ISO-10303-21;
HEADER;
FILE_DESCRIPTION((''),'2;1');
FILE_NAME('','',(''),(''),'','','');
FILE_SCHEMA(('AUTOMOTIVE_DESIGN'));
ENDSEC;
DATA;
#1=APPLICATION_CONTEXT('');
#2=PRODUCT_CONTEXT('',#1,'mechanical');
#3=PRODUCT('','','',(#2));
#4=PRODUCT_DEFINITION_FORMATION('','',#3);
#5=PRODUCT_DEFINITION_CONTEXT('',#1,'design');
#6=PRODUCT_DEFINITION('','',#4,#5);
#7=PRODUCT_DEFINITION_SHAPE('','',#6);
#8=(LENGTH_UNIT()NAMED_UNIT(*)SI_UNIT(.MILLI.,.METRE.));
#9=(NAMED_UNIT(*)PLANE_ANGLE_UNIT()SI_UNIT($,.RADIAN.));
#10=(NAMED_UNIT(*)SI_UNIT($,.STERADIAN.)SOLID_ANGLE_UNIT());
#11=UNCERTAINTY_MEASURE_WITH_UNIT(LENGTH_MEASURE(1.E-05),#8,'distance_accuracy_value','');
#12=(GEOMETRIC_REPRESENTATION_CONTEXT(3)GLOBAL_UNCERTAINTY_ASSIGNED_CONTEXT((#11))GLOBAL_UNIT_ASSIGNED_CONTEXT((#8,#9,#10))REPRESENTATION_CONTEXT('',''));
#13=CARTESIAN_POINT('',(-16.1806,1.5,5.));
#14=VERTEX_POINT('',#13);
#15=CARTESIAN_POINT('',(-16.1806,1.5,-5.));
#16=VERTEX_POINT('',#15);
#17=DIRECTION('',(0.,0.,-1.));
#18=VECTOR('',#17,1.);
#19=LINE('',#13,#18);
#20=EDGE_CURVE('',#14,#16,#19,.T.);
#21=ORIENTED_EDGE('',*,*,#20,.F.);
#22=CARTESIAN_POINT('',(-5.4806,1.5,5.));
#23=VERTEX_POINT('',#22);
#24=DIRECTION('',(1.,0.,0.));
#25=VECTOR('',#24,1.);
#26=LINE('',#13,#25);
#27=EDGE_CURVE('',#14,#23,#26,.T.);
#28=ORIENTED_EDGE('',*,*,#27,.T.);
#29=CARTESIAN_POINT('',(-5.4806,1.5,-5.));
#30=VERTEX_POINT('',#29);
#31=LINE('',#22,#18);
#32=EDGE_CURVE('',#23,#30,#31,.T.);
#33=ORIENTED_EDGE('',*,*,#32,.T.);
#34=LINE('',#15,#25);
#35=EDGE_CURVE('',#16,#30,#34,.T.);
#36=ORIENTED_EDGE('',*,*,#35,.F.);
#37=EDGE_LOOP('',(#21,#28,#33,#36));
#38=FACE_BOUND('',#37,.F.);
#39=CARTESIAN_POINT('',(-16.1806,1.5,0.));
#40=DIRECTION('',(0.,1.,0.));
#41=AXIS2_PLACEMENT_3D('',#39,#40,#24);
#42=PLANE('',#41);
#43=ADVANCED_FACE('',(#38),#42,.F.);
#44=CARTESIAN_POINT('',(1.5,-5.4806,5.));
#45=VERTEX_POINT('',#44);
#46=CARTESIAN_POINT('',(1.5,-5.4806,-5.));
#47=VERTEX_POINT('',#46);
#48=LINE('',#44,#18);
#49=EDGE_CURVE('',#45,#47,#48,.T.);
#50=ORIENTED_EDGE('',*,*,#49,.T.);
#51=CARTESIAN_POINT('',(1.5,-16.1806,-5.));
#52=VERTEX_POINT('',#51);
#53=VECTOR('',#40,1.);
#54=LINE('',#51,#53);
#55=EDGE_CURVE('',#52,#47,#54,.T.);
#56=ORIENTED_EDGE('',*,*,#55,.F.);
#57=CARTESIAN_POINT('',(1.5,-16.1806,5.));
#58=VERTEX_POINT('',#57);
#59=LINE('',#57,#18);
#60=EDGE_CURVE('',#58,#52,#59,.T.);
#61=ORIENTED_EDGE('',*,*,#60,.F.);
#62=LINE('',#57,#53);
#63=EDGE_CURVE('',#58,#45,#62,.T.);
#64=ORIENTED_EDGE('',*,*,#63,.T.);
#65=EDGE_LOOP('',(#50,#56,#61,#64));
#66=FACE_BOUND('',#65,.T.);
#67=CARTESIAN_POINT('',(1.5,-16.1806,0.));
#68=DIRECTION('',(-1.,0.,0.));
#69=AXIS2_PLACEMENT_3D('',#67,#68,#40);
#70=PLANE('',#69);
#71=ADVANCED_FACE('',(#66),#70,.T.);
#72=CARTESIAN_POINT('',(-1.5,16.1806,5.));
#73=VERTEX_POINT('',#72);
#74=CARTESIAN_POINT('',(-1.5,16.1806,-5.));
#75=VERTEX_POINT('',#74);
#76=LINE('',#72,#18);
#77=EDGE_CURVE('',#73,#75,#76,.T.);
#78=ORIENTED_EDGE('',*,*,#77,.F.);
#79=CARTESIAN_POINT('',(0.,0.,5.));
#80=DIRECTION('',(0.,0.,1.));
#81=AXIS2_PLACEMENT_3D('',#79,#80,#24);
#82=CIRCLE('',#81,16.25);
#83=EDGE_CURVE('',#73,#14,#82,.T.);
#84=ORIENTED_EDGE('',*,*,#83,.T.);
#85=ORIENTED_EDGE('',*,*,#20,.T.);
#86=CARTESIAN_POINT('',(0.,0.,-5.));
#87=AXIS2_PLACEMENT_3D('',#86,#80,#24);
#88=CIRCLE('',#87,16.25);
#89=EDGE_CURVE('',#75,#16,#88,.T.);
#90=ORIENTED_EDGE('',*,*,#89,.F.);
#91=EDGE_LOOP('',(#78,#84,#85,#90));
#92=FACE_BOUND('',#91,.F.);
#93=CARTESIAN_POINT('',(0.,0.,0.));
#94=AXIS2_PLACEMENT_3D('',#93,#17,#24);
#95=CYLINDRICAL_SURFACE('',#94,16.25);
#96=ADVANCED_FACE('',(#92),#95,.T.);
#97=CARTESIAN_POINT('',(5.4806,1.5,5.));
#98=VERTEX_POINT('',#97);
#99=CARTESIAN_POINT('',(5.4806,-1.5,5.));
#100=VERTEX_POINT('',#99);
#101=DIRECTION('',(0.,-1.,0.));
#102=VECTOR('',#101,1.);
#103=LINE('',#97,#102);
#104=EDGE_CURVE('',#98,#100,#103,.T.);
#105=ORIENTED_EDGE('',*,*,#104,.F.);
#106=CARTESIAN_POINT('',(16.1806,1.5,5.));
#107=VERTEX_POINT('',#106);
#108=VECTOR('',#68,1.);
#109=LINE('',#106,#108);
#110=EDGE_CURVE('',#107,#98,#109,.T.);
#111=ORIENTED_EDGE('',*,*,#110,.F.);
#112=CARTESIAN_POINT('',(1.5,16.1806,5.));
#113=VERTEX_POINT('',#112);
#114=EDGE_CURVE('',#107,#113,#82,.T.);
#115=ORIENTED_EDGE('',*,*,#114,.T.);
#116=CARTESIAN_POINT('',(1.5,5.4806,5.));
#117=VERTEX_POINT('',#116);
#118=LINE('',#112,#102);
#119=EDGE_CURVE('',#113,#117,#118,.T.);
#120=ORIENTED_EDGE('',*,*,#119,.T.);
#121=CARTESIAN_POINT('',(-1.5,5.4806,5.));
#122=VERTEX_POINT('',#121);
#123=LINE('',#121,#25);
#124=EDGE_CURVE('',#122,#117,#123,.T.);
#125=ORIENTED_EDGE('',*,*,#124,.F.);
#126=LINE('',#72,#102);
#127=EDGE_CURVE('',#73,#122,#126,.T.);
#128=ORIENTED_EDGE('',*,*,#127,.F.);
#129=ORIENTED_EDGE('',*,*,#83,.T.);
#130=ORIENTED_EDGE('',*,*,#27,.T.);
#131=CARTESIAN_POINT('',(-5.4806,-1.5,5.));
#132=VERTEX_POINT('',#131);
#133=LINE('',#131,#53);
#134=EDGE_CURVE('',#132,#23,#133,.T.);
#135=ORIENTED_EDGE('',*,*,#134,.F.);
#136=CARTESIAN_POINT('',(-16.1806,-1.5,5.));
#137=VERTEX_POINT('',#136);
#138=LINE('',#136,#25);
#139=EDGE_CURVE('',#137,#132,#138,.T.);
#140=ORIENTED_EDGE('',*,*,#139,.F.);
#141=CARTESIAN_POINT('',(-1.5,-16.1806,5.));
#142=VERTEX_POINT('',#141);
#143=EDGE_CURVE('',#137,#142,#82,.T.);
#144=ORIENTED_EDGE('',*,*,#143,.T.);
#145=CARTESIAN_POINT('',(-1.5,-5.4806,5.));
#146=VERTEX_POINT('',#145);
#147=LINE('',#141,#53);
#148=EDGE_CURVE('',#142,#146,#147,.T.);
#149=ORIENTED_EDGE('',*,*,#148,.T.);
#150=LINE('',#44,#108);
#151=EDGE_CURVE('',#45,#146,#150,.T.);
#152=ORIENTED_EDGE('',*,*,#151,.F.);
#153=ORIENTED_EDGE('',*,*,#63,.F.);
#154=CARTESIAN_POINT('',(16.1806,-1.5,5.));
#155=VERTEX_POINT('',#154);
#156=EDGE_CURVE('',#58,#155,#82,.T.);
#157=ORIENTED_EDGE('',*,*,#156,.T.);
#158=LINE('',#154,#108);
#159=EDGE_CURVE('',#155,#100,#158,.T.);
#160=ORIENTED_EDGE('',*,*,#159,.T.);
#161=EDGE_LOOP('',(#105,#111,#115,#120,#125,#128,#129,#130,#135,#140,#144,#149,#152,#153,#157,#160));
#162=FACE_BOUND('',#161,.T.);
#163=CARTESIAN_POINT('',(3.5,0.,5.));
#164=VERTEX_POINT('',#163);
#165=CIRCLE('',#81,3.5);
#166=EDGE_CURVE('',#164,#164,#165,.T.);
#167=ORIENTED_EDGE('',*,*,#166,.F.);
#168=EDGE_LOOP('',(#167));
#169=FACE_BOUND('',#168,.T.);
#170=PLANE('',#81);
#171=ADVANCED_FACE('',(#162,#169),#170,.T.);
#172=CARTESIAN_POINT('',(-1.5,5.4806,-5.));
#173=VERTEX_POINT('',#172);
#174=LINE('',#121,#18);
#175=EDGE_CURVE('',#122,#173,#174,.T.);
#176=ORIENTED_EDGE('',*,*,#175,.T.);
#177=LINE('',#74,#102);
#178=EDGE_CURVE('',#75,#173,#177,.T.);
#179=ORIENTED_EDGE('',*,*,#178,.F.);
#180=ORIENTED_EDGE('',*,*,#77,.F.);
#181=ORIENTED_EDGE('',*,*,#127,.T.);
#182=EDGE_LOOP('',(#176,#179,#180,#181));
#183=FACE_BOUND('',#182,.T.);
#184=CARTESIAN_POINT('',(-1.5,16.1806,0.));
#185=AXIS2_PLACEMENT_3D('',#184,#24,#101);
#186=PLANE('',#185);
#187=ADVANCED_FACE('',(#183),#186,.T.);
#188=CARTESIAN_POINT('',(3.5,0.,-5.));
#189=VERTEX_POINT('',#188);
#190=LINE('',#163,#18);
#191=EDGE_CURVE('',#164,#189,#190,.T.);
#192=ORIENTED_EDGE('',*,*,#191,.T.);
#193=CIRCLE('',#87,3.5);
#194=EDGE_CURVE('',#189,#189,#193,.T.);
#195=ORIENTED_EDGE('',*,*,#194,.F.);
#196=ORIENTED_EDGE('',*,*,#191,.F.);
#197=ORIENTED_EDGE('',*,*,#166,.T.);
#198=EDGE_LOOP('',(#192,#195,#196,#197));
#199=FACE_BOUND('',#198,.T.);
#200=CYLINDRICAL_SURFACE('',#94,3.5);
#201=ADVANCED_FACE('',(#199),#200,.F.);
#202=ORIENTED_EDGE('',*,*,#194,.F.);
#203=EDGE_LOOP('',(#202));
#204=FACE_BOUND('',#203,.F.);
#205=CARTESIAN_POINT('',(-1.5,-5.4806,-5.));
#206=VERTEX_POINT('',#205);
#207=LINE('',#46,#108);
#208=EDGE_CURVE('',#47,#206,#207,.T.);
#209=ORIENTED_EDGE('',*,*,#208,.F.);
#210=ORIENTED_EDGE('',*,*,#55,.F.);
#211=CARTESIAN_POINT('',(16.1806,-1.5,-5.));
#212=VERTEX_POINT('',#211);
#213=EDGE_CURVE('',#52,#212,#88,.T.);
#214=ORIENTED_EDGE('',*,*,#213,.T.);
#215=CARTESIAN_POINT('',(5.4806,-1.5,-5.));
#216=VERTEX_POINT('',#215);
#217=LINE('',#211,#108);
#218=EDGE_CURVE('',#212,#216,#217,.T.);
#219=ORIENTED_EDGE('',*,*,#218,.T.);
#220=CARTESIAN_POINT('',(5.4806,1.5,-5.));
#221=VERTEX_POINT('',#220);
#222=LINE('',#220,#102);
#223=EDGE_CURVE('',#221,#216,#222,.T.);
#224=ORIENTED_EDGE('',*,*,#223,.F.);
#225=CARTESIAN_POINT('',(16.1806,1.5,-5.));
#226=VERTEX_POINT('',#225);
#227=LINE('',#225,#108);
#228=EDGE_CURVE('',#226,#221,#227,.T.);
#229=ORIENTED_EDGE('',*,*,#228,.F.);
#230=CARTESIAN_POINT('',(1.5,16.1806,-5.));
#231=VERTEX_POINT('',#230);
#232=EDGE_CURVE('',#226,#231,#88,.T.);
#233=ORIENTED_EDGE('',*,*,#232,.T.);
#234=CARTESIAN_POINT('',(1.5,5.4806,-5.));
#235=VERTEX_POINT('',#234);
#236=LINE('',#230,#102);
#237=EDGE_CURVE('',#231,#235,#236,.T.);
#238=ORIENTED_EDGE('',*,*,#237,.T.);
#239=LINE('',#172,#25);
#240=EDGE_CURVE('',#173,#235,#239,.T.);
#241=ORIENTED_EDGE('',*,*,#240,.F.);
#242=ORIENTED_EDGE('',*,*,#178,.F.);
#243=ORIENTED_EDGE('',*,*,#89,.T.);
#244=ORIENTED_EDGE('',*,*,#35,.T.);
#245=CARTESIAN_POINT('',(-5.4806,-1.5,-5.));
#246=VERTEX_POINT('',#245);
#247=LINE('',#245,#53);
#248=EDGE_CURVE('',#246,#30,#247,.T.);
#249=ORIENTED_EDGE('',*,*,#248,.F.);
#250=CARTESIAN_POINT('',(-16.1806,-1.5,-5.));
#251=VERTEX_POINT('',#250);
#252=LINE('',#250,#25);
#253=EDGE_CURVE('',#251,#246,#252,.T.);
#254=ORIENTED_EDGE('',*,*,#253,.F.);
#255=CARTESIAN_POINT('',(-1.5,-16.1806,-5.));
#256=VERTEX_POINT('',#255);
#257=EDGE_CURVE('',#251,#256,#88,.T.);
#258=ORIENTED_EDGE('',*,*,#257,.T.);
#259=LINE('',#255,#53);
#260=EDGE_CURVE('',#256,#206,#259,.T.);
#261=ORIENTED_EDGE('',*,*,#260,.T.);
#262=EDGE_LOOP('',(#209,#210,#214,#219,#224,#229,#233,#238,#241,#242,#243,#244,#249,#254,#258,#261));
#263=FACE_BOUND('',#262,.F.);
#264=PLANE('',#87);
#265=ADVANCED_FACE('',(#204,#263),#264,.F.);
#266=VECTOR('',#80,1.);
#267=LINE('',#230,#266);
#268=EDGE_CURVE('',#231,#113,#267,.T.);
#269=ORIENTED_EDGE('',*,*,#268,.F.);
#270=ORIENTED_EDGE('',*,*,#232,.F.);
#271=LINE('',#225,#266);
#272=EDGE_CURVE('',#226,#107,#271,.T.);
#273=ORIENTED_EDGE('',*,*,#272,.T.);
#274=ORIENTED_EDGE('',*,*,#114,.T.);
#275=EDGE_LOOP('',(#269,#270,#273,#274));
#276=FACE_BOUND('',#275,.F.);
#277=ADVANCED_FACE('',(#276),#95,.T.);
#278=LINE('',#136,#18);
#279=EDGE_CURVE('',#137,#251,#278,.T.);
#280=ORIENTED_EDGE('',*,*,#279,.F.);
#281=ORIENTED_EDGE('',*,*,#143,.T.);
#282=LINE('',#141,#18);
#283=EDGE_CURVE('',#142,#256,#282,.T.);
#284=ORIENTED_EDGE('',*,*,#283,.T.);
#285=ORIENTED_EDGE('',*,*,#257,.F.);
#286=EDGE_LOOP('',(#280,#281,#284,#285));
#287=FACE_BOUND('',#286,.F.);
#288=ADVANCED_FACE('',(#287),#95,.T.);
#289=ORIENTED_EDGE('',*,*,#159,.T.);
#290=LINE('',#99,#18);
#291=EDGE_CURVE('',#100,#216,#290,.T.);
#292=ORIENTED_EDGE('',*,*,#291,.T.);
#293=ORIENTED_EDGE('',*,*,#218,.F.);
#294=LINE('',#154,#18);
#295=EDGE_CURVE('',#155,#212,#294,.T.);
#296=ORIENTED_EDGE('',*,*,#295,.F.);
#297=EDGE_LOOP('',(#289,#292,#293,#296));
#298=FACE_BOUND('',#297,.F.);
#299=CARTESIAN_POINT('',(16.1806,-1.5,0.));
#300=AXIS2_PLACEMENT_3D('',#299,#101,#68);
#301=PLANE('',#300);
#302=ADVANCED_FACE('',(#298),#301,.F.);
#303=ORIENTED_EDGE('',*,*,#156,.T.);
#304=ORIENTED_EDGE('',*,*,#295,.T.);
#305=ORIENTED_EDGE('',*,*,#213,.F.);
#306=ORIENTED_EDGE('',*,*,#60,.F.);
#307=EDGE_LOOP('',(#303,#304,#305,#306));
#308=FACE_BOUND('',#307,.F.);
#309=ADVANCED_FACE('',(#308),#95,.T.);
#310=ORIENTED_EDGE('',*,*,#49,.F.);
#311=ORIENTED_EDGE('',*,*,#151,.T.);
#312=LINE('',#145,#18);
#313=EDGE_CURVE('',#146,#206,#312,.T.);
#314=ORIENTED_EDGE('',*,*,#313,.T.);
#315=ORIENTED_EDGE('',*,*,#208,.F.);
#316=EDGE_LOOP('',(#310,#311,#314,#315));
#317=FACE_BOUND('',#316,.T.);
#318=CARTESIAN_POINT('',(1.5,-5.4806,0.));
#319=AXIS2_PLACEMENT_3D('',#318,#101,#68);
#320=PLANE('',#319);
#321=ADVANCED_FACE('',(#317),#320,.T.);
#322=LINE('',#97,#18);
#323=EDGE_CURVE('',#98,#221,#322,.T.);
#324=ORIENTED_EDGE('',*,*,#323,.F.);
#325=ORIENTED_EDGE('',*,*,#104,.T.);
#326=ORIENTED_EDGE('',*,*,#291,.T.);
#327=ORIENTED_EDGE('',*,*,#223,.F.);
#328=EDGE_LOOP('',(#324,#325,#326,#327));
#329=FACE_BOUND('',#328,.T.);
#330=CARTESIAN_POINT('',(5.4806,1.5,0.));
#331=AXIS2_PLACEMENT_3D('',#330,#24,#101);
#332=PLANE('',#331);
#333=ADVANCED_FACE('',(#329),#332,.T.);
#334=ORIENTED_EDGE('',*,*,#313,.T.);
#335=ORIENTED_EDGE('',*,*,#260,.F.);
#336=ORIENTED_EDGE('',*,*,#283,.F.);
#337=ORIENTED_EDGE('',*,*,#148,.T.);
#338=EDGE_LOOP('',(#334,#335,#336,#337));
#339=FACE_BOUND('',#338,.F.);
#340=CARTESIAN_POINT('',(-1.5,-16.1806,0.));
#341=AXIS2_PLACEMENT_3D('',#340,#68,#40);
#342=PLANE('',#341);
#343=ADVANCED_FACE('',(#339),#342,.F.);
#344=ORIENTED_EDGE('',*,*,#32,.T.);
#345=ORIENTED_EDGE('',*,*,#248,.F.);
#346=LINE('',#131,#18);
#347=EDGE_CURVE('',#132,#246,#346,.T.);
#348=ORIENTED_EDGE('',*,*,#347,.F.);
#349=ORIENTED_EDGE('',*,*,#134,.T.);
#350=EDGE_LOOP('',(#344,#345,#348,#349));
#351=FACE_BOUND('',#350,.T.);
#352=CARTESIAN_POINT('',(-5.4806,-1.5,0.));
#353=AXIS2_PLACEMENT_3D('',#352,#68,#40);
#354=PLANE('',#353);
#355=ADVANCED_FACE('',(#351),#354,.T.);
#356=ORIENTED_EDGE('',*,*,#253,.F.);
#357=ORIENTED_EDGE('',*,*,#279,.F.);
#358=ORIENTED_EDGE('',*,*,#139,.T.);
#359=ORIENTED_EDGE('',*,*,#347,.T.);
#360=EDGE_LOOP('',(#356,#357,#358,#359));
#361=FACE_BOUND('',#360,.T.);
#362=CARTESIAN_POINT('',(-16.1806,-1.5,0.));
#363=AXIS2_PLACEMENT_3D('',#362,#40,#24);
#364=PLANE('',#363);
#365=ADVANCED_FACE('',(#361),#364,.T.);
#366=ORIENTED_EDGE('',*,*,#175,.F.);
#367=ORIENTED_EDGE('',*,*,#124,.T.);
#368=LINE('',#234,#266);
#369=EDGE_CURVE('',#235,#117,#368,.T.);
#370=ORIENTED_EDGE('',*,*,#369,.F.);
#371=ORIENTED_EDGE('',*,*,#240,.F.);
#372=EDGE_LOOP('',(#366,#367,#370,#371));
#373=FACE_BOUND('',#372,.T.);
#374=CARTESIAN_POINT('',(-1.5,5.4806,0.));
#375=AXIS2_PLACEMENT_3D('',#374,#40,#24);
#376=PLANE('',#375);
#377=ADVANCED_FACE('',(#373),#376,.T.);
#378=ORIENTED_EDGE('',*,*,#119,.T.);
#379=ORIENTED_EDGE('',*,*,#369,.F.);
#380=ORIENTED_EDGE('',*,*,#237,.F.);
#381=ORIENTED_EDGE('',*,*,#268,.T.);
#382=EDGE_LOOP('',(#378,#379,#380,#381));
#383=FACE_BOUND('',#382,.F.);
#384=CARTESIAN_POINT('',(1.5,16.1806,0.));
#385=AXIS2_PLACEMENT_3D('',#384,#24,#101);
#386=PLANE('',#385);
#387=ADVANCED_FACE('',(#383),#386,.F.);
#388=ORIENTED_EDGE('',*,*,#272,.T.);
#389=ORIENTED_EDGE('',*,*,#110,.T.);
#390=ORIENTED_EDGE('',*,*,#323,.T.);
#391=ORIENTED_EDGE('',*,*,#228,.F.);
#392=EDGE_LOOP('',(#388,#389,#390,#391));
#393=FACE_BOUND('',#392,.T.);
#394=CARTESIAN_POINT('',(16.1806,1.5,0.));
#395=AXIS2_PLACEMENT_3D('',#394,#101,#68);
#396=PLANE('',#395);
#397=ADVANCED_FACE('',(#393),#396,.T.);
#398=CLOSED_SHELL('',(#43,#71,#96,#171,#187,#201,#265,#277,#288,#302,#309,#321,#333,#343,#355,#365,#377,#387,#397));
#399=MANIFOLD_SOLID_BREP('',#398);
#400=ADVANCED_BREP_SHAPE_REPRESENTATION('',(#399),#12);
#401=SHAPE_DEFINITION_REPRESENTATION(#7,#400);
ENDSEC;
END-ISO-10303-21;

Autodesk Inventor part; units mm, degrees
ref_plane "YZ Plane" through (0, 0, 0) normal (1, 0, 0) x (0, 1, 0)
ref_plane "XZ Plane" through (0, 0, 0) normal (0, 1, 0) x (-1, 0, 0)
ref_plane "XY Plane" through (0, 0, 0) normal (0, 0, 1) x (1, 0, 0)
sketch "Sketch1" plane through (0, 0, 0) normal (0, 0, 1) x (1, 0, 0)
  circle A0 centre (0, 0) radius 16.25
  line L0 (0, 16.25) -> (0, -16.25) construction
  line L1 (-16.25, 0) -> (16.25, 0) construction
  line L2 (-1.5, 16.1806) -> (-1.5, 5.4806)
  line L3 (1.5, 16.1806) -> (1.5, 5.4806)
  line L4 (-1.5, 5.4806) -> (1.5, 5.4806)
  line L5 (-16.1806, 1.5) -> (-5.4806, 1.5)
  line L6 (-5.4806, -1.5) -> (-5.4806, 1.5)
  line L7 (-16.1806, -1.5) -> (-5.4806, -1.5)
  line L8 (-1.5, -16.1806) -> (-1.5, -5.4806)
  line L9 (1.5, -5.4806) -> (-1.5, -5.4806)
  line L10 (1.5, -16.1806) -> (1.5, -5.4806)
  line L11 (16.1806, -1.5) -> (5.4806, -1.5)
  line L12 (5.4806, 1.5) -> (5.4806, -1.5)
  line L13 (16.1806, 1.5) -> (5.4806, 1.5)
  circle A1 centre (0, 0) radius 3.5
  point P0 (0, 5.4806)
  point P1 (-5.4806, 0)
  point P2 (0, -5.4806)
  point P3 (5.4806, 0)
  dimension "d1" = 3
  dimension "d2" = 10.7
  dimension "d5" = 360
  dimension "d7" = 7
  dimension "d12" = 32.5
extrude "Extrusion1" add sketch "Sketch1" along normal mid plane 10 contours L13 L12 L11 A0 L10 L9 L8 L7 L6 L5 L2 L4 L3
properties part number "Rotor"
